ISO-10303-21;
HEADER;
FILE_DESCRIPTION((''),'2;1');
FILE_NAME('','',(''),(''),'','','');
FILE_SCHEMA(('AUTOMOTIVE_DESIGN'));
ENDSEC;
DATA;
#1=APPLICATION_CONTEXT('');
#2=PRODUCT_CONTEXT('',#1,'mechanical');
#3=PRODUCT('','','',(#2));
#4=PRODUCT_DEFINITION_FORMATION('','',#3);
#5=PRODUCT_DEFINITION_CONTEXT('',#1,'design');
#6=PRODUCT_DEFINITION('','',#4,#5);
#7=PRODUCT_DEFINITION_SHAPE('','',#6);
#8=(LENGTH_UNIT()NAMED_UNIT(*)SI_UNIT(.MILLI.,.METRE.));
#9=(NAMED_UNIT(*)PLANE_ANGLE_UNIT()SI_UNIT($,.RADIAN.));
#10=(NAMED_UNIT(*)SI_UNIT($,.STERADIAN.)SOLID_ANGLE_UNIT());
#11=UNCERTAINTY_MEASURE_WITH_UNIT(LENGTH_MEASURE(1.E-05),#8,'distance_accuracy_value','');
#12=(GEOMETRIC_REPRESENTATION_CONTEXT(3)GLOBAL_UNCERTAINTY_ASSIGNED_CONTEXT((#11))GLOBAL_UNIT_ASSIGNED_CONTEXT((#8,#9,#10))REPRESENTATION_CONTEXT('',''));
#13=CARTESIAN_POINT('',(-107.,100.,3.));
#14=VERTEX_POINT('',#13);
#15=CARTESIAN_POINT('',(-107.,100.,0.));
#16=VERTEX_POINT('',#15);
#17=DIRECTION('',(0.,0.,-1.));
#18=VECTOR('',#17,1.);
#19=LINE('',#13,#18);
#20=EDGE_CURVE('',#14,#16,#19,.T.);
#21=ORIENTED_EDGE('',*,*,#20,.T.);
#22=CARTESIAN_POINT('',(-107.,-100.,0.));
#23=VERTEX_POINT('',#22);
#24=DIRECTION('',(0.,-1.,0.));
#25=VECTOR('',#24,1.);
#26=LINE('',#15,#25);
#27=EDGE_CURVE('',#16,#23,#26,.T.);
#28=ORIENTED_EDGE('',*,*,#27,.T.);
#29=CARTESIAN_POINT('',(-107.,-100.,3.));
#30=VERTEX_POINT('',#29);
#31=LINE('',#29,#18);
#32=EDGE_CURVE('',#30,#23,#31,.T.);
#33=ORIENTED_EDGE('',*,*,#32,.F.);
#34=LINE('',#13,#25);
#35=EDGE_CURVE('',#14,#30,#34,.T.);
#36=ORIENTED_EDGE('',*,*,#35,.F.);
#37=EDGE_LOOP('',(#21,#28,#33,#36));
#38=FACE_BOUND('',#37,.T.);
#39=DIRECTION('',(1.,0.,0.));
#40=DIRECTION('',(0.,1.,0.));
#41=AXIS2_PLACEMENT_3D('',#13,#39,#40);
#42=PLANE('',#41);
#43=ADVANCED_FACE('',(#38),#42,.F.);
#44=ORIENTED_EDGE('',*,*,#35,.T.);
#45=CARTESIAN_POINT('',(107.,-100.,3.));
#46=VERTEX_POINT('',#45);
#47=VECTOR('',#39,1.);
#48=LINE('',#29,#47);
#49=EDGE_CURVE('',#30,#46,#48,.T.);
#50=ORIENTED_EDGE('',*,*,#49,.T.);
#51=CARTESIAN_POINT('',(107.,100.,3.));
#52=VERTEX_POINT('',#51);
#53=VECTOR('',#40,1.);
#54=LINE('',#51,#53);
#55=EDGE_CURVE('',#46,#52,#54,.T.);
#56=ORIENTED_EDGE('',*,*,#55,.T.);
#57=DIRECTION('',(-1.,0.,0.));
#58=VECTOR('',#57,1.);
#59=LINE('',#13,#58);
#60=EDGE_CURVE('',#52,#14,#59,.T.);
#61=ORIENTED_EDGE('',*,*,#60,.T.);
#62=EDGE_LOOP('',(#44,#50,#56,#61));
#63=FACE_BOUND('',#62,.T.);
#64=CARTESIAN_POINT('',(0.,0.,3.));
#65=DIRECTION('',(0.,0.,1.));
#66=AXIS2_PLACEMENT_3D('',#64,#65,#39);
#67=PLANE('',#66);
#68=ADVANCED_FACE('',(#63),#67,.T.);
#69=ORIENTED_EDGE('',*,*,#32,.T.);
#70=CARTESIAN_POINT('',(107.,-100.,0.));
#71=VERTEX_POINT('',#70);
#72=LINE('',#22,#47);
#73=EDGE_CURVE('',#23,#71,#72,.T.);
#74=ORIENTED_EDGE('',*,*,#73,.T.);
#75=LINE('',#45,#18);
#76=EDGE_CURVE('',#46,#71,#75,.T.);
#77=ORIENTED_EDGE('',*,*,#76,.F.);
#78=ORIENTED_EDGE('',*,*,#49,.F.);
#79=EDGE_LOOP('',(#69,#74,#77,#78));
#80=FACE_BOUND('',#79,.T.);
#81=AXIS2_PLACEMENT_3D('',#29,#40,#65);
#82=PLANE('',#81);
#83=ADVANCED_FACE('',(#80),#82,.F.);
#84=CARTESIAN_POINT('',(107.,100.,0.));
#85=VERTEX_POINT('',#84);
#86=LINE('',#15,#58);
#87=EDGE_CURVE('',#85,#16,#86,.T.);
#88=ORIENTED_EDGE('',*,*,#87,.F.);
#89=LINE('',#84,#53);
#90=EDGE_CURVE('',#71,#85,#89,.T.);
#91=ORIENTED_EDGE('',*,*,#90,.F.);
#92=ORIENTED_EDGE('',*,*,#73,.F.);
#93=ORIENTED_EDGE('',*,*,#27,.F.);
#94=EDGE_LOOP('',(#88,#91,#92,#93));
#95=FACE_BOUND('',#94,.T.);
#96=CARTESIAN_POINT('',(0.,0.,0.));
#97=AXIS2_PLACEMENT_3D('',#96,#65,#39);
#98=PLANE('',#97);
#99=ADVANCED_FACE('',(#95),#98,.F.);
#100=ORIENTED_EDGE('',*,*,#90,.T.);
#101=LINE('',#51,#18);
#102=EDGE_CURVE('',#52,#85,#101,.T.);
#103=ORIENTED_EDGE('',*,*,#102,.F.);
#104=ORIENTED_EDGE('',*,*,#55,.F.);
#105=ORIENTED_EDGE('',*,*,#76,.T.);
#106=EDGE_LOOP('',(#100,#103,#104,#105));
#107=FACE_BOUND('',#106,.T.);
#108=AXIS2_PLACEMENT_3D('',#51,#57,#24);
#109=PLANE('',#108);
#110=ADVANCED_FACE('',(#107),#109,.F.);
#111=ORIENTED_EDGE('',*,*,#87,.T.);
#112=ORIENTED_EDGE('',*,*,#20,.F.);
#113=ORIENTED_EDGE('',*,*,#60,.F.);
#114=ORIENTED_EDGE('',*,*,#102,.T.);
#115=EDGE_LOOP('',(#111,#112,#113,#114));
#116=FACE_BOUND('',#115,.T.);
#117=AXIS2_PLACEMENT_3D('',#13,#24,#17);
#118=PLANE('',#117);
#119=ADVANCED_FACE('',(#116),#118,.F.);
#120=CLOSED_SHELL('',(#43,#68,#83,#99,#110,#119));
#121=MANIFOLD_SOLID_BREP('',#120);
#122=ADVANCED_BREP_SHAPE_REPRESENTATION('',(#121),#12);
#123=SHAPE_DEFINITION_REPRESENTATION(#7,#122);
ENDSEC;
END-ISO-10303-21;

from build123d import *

# Parameters (mm, degrees)
SKETCH1_W           = 214
SKETCH1_H           = 200
BOSS_EXTRUDE1_DEPTH = 3


with BuildPart() as part:
    # Sketch1 → Boss-Extrude1 (new body)
    with BuildSketch(Plane.XY):
        Rectangle(SKETCH1_W, SKETCH1_H)
    extrude(amount=BOSS_EXTRUDE1_DEPTH)


solid = part.part
